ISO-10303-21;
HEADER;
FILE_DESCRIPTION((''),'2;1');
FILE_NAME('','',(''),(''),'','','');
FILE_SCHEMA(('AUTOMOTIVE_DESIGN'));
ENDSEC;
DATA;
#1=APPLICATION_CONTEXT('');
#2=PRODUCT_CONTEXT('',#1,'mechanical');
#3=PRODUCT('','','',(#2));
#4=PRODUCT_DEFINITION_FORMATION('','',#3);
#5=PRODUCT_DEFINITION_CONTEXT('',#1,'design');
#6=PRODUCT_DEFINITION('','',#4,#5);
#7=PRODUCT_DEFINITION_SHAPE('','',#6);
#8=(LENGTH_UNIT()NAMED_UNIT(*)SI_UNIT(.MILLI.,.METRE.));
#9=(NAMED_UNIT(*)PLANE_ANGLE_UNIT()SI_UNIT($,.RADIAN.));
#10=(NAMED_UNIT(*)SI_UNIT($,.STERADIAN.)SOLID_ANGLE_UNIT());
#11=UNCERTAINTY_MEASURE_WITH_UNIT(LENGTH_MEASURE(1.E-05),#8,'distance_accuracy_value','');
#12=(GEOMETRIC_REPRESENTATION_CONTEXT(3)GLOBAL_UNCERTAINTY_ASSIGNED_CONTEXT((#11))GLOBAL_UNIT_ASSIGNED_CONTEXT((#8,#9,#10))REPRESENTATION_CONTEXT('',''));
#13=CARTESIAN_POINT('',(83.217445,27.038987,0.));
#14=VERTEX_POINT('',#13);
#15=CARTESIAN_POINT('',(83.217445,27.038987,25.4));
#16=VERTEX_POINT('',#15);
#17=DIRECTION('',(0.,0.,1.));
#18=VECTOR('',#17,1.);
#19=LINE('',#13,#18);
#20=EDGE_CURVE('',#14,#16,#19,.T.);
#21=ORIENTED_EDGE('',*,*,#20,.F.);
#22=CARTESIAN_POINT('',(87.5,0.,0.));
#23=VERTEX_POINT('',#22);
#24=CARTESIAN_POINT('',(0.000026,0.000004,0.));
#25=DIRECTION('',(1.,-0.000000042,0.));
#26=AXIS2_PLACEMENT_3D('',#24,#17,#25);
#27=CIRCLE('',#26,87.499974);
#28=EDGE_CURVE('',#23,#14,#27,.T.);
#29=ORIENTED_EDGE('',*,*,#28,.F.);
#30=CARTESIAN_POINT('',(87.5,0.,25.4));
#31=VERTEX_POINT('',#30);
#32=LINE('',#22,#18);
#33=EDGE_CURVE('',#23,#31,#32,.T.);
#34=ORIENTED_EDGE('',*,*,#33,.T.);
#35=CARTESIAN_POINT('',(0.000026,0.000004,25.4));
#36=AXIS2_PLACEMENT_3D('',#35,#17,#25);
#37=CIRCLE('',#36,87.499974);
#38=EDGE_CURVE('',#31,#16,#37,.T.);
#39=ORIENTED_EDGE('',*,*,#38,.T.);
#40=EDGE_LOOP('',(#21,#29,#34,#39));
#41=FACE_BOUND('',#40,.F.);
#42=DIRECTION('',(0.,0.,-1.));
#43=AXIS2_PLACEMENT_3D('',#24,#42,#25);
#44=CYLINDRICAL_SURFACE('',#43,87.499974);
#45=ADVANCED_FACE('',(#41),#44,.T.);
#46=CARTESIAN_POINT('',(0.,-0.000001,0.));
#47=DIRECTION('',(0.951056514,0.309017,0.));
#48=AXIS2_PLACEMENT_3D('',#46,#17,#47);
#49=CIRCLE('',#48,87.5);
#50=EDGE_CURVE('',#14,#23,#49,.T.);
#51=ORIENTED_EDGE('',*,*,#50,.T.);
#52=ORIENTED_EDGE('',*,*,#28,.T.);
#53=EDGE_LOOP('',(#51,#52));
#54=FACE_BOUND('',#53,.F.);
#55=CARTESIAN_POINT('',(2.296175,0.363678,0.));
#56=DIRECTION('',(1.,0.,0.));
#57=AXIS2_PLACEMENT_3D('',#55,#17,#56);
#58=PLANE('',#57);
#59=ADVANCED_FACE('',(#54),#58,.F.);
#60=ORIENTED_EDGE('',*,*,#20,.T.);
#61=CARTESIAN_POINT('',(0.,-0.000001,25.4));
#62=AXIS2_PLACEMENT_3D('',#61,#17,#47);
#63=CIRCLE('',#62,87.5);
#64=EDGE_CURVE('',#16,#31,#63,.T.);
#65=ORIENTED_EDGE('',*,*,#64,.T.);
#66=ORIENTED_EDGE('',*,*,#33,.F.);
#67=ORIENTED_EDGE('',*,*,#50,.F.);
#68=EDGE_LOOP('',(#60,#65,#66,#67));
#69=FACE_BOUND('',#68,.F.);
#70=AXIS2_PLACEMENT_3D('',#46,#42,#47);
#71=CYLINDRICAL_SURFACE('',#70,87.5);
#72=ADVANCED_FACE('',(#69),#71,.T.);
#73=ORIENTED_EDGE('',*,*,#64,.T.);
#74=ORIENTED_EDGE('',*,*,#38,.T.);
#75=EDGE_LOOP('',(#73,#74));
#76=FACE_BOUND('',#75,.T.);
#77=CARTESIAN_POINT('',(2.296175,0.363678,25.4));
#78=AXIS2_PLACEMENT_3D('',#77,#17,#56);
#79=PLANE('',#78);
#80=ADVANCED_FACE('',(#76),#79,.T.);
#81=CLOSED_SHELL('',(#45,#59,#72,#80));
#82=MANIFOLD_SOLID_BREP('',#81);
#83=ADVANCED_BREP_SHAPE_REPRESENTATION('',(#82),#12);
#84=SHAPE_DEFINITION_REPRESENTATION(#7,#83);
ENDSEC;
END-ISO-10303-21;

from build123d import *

# Parameters (mm, degrees)
F1_DEPTH = 25.4


with BuildPart() as f1:
    # F0 (on Top) → F1 (new body)
    with BuildSketch(Plane.XY):
        with BuildLine():
            ThreePointArc((83.217445, 27.038987), (-86.42273, -13.688016), (87.5, 0))
            ThreePointArc((87.5, 0), (86.42273, 13.688016), (83.217445, 27.038987))
        make_face()
    extrude(amount=F1_DEPTH)


solid = f1.part
